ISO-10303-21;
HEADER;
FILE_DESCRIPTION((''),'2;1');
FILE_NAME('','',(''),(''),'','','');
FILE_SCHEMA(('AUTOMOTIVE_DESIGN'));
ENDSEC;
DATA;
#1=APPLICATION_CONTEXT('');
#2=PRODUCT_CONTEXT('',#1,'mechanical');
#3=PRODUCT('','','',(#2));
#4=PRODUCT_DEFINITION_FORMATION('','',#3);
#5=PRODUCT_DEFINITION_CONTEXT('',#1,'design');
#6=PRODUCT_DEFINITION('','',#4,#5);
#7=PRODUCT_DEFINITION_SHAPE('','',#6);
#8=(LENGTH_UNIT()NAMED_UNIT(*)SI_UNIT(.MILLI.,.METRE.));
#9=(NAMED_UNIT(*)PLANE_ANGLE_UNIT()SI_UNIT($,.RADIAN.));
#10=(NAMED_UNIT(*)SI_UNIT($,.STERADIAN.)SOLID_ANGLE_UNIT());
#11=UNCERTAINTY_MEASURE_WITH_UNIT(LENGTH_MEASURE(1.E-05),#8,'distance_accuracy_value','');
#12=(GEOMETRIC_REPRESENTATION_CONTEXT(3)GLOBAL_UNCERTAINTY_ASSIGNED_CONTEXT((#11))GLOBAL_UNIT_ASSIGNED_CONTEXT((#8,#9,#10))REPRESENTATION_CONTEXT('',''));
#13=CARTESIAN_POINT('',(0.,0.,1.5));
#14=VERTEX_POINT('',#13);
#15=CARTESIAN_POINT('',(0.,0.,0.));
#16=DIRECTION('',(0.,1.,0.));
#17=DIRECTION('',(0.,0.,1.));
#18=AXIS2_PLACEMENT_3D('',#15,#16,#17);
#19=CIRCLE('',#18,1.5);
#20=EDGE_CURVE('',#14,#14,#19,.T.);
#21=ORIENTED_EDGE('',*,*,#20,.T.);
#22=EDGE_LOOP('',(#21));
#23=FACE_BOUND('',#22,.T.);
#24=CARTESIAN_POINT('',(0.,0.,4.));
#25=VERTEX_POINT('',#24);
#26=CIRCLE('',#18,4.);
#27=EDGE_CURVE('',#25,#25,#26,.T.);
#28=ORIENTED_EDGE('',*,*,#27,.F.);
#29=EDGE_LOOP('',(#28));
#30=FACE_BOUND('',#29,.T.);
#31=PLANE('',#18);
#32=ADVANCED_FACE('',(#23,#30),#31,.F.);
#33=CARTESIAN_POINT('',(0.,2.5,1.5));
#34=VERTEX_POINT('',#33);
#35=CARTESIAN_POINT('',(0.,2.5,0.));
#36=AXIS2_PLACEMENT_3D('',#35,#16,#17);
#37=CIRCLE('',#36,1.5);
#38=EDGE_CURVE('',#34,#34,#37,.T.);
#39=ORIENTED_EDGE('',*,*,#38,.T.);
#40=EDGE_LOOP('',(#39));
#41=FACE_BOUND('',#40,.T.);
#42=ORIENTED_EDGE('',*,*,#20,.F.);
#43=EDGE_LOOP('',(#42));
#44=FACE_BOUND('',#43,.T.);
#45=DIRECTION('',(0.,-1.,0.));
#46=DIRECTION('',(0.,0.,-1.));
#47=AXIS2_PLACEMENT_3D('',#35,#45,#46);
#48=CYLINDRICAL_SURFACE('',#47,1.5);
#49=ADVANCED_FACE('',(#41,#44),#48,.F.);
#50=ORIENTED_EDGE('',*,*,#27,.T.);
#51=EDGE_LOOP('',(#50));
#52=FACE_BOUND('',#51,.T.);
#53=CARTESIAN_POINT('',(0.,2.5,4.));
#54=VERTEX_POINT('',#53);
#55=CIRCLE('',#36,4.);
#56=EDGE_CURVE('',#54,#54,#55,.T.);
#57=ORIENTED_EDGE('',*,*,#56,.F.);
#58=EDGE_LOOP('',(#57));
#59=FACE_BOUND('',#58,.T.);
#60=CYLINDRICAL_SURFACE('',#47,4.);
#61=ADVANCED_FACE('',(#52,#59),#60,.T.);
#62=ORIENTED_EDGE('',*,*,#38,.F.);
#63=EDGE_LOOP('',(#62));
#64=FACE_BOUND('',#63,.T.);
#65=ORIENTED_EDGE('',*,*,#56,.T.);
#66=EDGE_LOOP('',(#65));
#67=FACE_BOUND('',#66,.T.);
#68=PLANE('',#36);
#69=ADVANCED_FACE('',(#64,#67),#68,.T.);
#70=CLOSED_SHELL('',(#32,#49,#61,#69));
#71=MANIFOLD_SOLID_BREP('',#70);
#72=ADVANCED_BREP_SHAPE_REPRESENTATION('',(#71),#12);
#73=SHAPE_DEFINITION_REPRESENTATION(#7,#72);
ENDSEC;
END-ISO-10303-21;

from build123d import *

# Parameters (mm, degrees)
SKETCH_1_R      = 4
SKETCH_1_R_2    = 1.5
EXTRUDE_1_DEPTH = 2.5


with BuildPart() as part:
    # 草图1 → 凸台-拉伸1 (new body)
    with BuildSketch(Plane(origin=(0, 0, 0), x_dir=(1, 0, 0), z_dir=(0, 1, 0))):
        Circle(SKETCH_1_R)
        Circle(SKETCH_1_R_2, mode=Mode.SUBTRACT)
    extrude(amount=EXTRUDE_1_DEPTH)


solid = part.part
